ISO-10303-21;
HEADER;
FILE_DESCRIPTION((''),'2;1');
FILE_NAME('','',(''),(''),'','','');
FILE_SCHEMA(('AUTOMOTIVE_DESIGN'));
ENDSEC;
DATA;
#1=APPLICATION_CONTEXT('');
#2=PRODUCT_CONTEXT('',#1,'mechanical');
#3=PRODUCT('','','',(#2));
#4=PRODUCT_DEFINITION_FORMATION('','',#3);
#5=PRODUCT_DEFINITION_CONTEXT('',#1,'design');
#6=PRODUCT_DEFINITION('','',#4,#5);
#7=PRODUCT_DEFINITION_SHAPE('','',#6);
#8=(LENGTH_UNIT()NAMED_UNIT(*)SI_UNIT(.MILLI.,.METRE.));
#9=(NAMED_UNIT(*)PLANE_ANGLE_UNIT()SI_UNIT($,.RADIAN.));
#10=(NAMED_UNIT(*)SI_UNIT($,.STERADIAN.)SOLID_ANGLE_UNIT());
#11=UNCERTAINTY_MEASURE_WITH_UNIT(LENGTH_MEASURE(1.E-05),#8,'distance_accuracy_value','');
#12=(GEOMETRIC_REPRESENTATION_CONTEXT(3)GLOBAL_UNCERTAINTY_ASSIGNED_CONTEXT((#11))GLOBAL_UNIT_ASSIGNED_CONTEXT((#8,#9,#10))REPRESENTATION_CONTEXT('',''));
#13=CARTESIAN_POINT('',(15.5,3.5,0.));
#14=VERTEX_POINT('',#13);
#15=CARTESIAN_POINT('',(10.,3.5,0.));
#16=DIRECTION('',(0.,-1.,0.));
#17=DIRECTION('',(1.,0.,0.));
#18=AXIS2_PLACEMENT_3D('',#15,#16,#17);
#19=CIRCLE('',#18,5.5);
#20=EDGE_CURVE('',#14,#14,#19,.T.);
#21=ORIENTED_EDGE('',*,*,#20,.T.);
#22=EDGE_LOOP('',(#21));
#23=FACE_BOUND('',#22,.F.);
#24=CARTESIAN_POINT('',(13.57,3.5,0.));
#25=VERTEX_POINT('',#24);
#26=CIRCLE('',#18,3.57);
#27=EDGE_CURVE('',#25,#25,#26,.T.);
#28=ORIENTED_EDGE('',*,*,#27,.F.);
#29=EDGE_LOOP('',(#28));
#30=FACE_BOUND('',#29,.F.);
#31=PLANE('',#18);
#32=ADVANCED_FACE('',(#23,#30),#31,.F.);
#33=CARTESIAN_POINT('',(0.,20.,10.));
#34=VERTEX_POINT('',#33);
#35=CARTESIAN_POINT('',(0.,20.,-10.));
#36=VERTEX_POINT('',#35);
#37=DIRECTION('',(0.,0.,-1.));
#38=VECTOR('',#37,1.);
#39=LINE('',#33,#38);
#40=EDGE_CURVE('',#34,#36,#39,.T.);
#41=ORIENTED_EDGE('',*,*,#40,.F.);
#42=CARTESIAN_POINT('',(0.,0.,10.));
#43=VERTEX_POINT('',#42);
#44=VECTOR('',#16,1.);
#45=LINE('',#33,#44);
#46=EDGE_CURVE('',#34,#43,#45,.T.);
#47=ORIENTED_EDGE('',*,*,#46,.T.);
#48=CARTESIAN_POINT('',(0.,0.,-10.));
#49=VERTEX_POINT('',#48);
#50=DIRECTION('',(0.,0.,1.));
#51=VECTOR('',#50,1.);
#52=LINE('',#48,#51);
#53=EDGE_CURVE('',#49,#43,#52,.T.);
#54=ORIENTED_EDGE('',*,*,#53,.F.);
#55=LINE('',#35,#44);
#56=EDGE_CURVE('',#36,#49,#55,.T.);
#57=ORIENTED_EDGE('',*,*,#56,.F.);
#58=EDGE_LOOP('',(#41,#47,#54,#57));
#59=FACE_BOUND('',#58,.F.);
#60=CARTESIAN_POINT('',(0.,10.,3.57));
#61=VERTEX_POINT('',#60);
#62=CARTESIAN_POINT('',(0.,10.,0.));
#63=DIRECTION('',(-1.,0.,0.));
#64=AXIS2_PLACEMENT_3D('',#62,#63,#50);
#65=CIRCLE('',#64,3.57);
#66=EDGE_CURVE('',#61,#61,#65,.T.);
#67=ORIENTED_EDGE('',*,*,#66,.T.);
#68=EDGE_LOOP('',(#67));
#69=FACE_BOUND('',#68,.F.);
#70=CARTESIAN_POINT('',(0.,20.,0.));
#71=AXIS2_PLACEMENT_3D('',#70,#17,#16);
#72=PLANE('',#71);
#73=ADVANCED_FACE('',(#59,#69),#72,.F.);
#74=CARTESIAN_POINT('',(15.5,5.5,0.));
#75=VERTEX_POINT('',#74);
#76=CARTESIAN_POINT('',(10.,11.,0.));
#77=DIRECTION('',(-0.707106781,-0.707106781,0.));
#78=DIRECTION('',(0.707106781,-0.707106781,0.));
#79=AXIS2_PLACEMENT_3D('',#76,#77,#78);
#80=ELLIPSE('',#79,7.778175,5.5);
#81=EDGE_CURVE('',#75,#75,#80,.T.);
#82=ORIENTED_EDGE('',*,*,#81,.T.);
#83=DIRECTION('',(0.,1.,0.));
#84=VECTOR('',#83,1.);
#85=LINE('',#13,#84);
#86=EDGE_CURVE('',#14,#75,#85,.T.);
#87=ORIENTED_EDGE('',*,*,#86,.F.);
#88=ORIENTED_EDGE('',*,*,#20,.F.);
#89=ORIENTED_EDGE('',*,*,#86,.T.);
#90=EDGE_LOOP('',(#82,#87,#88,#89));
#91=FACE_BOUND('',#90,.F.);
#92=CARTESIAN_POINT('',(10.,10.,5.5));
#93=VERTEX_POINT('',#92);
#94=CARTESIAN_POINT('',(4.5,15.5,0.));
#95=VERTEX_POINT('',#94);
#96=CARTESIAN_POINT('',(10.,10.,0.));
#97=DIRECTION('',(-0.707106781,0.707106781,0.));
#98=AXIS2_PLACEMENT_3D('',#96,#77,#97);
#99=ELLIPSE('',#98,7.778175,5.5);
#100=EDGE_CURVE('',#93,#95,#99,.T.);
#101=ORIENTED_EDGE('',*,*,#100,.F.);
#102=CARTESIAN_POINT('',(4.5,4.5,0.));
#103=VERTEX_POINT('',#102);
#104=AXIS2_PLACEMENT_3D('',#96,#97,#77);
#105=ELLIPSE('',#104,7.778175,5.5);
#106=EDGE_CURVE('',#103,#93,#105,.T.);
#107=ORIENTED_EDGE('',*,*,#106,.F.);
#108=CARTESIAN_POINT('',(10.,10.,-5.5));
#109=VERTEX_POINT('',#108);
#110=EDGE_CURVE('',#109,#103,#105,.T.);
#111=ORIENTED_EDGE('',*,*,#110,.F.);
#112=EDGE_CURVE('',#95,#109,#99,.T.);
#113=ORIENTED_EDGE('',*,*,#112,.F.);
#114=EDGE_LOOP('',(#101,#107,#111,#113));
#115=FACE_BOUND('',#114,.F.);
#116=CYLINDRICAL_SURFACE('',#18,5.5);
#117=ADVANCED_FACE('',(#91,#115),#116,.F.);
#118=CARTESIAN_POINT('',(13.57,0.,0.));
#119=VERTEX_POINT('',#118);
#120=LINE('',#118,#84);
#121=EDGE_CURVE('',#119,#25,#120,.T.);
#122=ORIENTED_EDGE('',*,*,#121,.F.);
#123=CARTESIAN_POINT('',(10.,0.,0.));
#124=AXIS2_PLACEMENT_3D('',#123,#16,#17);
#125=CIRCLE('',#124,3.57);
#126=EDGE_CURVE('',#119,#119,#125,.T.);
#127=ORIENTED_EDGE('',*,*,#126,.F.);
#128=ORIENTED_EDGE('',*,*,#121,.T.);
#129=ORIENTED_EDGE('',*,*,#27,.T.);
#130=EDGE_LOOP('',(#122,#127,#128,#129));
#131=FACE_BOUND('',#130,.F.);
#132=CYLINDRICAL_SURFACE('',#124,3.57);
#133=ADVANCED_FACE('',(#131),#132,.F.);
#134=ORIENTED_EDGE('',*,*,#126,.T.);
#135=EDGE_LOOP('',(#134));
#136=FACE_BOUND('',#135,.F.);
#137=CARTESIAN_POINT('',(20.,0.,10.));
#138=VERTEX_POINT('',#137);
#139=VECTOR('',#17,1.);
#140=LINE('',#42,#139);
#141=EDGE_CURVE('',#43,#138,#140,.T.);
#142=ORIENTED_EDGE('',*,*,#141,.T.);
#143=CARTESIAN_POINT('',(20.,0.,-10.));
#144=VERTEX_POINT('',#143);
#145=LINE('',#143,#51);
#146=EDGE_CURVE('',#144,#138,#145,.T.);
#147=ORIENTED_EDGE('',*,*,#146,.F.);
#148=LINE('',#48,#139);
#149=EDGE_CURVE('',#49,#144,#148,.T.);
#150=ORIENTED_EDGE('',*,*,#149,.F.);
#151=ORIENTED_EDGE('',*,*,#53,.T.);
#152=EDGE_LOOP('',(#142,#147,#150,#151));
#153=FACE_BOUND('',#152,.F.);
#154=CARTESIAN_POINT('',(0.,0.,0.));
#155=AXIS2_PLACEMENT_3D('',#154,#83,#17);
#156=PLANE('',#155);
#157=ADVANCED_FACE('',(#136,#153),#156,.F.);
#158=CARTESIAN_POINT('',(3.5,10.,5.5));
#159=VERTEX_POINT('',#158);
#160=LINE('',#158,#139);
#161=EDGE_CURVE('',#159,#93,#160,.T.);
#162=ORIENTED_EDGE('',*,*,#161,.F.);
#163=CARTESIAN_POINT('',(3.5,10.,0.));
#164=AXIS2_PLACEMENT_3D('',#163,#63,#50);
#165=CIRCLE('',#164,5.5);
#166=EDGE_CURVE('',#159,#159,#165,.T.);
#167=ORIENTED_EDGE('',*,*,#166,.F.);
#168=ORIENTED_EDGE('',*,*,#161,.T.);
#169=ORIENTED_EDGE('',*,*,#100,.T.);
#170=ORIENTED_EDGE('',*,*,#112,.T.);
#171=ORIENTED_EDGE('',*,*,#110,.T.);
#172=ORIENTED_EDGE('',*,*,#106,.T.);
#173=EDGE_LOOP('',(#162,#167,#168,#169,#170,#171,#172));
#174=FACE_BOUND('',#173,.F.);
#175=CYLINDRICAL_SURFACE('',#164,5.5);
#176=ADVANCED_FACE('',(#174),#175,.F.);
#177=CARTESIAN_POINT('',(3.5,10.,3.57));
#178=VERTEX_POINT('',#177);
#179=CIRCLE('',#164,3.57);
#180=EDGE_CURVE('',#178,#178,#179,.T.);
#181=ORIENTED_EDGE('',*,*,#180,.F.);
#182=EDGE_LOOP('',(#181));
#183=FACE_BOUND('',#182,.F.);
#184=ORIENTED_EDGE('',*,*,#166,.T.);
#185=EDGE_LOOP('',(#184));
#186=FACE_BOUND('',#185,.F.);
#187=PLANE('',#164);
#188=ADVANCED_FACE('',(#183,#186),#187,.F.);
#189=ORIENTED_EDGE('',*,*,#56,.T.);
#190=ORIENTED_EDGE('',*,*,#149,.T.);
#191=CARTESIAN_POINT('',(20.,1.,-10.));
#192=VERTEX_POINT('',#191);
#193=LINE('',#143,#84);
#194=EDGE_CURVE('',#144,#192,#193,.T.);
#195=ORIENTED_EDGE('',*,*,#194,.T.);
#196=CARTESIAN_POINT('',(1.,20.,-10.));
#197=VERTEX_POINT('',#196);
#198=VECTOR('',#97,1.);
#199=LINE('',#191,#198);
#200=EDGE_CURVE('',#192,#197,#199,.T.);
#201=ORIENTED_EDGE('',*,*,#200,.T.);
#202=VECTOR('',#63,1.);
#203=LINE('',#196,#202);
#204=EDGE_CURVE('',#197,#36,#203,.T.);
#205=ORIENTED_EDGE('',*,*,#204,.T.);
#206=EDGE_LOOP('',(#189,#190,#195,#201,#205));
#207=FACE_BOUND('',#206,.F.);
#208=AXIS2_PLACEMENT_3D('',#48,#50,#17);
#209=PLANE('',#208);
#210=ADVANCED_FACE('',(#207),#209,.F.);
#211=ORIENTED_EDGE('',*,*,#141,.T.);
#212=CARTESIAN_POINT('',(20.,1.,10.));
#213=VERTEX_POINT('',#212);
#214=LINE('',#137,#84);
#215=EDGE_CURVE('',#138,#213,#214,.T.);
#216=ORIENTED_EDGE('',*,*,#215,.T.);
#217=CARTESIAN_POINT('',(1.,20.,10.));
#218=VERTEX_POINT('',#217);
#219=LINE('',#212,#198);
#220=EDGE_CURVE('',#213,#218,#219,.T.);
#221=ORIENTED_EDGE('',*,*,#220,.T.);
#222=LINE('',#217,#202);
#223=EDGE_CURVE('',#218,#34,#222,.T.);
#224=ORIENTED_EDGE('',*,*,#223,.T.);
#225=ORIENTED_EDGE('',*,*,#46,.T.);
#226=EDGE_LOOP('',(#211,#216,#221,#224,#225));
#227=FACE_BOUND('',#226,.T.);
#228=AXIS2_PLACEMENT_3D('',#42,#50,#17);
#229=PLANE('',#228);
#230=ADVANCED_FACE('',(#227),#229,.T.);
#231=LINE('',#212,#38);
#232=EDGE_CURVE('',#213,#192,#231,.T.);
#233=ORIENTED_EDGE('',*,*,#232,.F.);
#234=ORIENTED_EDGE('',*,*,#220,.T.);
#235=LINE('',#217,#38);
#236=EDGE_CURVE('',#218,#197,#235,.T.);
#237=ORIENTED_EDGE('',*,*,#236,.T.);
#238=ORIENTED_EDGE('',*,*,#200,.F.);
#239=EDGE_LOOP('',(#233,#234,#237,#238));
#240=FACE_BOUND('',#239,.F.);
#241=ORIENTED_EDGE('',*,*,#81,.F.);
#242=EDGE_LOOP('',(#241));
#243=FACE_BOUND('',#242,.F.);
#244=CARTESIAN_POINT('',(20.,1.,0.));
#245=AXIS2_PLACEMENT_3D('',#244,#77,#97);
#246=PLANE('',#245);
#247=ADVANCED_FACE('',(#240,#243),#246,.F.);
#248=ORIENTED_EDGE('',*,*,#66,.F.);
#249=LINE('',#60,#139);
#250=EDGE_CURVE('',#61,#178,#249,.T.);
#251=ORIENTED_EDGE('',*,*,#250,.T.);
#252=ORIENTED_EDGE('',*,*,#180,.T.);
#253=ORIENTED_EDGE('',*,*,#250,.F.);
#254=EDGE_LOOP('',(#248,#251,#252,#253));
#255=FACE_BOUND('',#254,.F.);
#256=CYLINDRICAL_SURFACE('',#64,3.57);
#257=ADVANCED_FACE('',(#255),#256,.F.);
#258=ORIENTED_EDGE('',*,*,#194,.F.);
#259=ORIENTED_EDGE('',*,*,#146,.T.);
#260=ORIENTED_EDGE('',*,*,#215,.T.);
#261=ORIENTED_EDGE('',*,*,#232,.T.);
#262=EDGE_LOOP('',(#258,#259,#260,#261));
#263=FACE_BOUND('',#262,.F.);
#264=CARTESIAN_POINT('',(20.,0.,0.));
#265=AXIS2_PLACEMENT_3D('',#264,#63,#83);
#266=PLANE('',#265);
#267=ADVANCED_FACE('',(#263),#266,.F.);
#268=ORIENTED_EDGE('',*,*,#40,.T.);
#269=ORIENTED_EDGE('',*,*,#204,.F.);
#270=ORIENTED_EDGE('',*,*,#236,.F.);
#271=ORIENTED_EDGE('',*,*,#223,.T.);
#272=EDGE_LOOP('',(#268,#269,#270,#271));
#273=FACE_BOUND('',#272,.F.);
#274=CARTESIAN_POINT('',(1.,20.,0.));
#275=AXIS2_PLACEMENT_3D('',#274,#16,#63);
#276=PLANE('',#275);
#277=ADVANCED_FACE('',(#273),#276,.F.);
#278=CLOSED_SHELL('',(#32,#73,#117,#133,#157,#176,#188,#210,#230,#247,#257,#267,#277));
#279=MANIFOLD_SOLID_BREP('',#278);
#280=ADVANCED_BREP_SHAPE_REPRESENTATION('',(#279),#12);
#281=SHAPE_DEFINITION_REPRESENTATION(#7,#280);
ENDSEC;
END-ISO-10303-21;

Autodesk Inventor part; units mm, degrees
ref_plane "YZ Plane" through (0, 0, 0) normal (1, 0, 0) x (0, 1, 0)
ref_plane "XZ Plane" through (0, 0, 0) normal (0, 1, 0) x (-1, 0, 0)
ref_plane "XY Plane" through (0, 0, 0) normal (0, 0, 1) x (1, 0, 0)
sketch "Sketch1" plane through (0, 0, 0) normal (0, 0, 1) x (1, 0, 0)
  line L0 (0, 0) -> (20, 0)
  line L1 (20, 0) -> (20, 1)
  line L2 (20, 1) -> (1, 20)
  line L3 (1, 20) -> (0, 20)
  line L4 (0, 20) -> (0, 0)
  dimension "d0" = 135
  dimension "d1" = 20
  dimension "d2" = 20
  dimension "d3" = 1
extrude "Extrusion1" add sketch "Sketch1" along normal mid plane 20
sketch "Sketch2" plane through (0, 0, 10) normal (0, -1, 0) x (1, 0, 0)
  circle A0 centre (10, -10) radius 3.57
  point P0 (0, -10)
  dimension "d6" = 7.14
extrude "Extrusion2" cut sketch "Sketch2" against normal blind 3.5
sketch "Sketch3" plane through (10, 3.5, 0) normal (0, -1, 0) x (1, 0, 0)
  circle A0 centre (0, 0) radius 3.57 projected
  circle A1 centre (0, 0) radius 5.5
  point P0 (-10, 0)
  dimension "d9" = 11
extrude "Extrusion3" cut sketch "Sketch3" against normal up to next contours A0 | A1
sketch "Sketch4" plane through (0, 0, 10) normal (-1, 0, 0) x (0, 0, 1)
  circle A0 centre (-10, 10) radius 3.57
  point P0 (-10, 0)
  dimension "d12" = 7.14
extrude "Extrusion4" cut sketch "Sketch4" against normal blind 3.5
sketch "Sketch5" plane through (3.5, 10, 0) normal (-1, 0, 0) x (0, 0, 1)
  circle A0 centre (0, 0) radius 3.57 projected
  circle A1 centre (0, 0) radius 5.5
  point P0 (0, -10)
  dimension "d15" = 11
extrude "Extrusion5" cut sketch "Sketch5" against normal up to next contours A0 | A1
properties part number "Black Angle Corner Connector"
